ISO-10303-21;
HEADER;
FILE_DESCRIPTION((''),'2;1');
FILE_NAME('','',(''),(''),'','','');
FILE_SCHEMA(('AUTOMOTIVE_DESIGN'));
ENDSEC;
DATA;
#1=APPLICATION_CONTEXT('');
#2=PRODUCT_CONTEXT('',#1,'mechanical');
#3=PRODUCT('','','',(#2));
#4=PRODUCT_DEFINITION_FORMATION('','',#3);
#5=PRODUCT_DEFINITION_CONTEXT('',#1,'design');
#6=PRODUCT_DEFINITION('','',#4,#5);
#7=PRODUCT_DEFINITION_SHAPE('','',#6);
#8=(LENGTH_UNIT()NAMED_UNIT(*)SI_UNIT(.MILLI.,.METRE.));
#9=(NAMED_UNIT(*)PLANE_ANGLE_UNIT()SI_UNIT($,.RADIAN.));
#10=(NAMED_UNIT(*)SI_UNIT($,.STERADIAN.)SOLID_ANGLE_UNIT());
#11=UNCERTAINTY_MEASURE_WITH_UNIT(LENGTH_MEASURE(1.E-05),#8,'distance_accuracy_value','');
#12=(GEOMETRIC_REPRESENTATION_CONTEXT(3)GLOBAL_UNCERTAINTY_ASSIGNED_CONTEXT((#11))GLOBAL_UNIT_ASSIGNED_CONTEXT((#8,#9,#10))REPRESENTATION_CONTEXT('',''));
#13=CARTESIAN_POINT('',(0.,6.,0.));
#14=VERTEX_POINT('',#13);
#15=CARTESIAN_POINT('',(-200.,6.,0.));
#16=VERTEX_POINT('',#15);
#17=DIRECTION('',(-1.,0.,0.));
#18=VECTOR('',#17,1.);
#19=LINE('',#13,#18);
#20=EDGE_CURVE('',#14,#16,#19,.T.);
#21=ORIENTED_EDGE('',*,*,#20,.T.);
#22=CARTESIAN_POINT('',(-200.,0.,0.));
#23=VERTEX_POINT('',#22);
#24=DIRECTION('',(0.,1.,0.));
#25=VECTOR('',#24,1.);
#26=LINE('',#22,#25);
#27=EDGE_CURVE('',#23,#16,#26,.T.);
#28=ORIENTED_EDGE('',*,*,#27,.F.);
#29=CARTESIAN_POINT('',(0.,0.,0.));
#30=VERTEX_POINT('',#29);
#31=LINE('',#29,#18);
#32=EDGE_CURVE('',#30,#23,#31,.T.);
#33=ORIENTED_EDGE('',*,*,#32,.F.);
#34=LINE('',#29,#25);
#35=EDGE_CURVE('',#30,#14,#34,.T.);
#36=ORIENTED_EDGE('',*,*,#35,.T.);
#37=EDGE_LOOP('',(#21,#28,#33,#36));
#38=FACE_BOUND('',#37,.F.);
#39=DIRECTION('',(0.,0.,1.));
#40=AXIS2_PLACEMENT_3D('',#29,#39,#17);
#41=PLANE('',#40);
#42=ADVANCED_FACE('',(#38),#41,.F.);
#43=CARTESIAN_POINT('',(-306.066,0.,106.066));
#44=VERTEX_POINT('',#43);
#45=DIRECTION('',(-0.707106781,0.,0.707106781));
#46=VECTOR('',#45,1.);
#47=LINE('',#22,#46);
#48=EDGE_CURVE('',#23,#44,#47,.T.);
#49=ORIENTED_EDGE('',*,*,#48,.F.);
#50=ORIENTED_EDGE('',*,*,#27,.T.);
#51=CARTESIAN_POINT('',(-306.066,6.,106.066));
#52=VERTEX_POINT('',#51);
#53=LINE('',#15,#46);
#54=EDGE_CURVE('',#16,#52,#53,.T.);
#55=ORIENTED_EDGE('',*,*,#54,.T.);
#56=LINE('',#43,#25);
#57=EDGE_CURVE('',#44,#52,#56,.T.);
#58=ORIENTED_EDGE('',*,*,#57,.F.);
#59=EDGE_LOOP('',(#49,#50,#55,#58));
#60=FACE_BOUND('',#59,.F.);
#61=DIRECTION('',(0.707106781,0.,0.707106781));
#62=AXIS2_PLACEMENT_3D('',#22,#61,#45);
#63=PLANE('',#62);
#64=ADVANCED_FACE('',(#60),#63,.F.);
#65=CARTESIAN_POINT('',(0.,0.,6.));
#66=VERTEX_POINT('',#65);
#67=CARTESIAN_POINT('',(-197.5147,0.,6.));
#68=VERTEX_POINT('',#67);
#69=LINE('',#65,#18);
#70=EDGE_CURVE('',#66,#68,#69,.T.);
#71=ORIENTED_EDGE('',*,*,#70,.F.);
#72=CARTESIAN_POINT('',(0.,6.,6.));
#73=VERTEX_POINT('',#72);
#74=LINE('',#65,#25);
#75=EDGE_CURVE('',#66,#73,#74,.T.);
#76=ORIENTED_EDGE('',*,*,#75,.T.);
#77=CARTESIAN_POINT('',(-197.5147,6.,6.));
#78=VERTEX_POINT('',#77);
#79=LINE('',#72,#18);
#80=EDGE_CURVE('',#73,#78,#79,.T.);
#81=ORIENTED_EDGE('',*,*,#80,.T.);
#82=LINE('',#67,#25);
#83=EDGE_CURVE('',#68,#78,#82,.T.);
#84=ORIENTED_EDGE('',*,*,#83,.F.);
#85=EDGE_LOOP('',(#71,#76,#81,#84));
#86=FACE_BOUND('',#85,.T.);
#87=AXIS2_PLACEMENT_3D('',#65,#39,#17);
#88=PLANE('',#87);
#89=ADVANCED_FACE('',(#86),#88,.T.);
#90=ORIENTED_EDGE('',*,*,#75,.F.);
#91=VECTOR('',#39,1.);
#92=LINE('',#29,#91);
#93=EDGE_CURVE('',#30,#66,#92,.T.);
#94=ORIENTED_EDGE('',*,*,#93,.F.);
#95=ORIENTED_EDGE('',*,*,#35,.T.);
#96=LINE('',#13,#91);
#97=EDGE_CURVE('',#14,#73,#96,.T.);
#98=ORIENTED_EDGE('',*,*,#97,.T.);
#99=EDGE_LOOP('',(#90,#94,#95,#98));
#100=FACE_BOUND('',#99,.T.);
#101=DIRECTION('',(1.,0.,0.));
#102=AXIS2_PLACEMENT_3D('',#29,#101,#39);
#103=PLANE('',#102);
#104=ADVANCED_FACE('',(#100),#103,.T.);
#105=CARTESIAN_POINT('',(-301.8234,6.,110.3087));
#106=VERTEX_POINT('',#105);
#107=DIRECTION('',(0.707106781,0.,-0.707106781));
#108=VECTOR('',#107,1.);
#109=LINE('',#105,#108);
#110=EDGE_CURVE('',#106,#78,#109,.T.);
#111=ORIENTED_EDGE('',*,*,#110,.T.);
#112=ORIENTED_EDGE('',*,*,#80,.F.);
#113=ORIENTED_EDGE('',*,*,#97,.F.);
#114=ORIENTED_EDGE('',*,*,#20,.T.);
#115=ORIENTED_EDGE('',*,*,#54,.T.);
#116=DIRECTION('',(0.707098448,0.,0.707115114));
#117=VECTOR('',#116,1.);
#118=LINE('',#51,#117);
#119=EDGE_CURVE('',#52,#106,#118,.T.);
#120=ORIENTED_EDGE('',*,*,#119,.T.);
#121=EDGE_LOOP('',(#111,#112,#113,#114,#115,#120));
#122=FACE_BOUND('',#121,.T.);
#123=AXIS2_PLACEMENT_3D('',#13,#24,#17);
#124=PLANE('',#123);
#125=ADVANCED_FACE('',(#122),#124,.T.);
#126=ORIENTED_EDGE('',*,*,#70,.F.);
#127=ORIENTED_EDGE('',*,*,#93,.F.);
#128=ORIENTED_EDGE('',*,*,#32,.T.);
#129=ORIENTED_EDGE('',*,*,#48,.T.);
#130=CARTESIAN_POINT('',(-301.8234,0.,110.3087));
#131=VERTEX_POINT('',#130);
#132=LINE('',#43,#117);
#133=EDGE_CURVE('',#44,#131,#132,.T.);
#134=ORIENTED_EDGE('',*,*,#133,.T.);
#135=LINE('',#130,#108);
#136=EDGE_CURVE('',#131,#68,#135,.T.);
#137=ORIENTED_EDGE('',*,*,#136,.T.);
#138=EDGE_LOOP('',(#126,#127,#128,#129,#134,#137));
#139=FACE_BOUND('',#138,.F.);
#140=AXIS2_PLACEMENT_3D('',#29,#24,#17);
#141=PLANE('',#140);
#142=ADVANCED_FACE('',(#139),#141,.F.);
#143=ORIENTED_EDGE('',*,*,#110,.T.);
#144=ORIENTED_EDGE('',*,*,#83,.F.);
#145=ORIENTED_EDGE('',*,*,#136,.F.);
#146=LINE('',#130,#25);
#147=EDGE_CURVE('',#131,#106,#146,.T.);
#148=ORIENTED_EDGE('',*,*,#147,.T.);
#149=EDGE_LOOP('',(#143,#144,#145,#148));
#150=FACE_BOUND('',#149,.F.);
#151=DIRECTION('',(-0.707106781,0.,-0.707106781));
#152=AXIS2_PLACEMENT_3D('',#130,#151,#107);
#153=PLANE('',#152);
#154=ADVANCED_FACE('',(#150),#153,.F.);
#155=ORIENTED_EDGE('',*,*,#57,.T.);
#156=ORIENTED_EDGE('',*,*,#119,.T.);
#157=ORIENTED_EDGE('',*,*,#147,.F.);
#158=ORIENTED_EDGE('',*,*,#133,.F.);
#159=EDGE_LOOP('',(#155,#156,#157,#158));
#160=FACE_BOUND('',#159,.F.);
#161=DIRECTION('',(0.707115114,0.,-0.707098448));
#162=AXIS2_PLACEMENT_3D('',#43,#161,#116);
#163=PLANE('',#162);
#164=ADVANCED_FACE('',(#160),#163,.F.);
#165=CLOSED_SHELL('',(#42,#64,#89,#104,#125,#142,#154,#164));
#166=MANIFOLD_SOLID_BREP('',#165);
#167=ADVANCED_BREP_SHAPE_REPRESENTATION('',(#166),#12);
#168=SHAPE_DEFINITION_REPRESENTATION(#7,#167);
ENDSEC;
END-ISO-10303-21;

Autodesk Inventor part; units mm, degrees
ref_plane "YZ Plane" through (0, 0, 0) normal (1, 0, 0) x (0, 1, 0)
ref_plane "XZ Plane" through (0, 0, 0) normal (0, 1, 0) x (-1, 0, 0)
ref_plane "XY Plane" through (0, 0, 0) normal (0, 0, 1) x (1, 0, 0)
sketch "Sketch1" plane through (0, 0, 0) normal (0, 1, 0) x (-1, 0, 0)
  line L0 (0, 0) -> (200, 0)
  line L1 (200, 0) -> (306.066, 106.066)
  line L2 (306.066, 106.066) -> (301.8234, 110.3087)
  line L3 (301.8234, 110.3087) -> (197.5147, 6)
  line L4 (0, 0) -> (0, 6)
  line L5 (0, 6) -> (197.5147, 6)
  dimension "d0" = 200
  dimension "d2" = 135
  dimension "d3" = 6
  dimension "d4" = 90
  dimension "d6" = 6
  dimension "d10" = 197.5147
  dimension "d11" = 150
extrude "Extrusion1" add sketch "Sketch1" along normal blind 6
properties part number "A_LeftWall1(plan)_5"
